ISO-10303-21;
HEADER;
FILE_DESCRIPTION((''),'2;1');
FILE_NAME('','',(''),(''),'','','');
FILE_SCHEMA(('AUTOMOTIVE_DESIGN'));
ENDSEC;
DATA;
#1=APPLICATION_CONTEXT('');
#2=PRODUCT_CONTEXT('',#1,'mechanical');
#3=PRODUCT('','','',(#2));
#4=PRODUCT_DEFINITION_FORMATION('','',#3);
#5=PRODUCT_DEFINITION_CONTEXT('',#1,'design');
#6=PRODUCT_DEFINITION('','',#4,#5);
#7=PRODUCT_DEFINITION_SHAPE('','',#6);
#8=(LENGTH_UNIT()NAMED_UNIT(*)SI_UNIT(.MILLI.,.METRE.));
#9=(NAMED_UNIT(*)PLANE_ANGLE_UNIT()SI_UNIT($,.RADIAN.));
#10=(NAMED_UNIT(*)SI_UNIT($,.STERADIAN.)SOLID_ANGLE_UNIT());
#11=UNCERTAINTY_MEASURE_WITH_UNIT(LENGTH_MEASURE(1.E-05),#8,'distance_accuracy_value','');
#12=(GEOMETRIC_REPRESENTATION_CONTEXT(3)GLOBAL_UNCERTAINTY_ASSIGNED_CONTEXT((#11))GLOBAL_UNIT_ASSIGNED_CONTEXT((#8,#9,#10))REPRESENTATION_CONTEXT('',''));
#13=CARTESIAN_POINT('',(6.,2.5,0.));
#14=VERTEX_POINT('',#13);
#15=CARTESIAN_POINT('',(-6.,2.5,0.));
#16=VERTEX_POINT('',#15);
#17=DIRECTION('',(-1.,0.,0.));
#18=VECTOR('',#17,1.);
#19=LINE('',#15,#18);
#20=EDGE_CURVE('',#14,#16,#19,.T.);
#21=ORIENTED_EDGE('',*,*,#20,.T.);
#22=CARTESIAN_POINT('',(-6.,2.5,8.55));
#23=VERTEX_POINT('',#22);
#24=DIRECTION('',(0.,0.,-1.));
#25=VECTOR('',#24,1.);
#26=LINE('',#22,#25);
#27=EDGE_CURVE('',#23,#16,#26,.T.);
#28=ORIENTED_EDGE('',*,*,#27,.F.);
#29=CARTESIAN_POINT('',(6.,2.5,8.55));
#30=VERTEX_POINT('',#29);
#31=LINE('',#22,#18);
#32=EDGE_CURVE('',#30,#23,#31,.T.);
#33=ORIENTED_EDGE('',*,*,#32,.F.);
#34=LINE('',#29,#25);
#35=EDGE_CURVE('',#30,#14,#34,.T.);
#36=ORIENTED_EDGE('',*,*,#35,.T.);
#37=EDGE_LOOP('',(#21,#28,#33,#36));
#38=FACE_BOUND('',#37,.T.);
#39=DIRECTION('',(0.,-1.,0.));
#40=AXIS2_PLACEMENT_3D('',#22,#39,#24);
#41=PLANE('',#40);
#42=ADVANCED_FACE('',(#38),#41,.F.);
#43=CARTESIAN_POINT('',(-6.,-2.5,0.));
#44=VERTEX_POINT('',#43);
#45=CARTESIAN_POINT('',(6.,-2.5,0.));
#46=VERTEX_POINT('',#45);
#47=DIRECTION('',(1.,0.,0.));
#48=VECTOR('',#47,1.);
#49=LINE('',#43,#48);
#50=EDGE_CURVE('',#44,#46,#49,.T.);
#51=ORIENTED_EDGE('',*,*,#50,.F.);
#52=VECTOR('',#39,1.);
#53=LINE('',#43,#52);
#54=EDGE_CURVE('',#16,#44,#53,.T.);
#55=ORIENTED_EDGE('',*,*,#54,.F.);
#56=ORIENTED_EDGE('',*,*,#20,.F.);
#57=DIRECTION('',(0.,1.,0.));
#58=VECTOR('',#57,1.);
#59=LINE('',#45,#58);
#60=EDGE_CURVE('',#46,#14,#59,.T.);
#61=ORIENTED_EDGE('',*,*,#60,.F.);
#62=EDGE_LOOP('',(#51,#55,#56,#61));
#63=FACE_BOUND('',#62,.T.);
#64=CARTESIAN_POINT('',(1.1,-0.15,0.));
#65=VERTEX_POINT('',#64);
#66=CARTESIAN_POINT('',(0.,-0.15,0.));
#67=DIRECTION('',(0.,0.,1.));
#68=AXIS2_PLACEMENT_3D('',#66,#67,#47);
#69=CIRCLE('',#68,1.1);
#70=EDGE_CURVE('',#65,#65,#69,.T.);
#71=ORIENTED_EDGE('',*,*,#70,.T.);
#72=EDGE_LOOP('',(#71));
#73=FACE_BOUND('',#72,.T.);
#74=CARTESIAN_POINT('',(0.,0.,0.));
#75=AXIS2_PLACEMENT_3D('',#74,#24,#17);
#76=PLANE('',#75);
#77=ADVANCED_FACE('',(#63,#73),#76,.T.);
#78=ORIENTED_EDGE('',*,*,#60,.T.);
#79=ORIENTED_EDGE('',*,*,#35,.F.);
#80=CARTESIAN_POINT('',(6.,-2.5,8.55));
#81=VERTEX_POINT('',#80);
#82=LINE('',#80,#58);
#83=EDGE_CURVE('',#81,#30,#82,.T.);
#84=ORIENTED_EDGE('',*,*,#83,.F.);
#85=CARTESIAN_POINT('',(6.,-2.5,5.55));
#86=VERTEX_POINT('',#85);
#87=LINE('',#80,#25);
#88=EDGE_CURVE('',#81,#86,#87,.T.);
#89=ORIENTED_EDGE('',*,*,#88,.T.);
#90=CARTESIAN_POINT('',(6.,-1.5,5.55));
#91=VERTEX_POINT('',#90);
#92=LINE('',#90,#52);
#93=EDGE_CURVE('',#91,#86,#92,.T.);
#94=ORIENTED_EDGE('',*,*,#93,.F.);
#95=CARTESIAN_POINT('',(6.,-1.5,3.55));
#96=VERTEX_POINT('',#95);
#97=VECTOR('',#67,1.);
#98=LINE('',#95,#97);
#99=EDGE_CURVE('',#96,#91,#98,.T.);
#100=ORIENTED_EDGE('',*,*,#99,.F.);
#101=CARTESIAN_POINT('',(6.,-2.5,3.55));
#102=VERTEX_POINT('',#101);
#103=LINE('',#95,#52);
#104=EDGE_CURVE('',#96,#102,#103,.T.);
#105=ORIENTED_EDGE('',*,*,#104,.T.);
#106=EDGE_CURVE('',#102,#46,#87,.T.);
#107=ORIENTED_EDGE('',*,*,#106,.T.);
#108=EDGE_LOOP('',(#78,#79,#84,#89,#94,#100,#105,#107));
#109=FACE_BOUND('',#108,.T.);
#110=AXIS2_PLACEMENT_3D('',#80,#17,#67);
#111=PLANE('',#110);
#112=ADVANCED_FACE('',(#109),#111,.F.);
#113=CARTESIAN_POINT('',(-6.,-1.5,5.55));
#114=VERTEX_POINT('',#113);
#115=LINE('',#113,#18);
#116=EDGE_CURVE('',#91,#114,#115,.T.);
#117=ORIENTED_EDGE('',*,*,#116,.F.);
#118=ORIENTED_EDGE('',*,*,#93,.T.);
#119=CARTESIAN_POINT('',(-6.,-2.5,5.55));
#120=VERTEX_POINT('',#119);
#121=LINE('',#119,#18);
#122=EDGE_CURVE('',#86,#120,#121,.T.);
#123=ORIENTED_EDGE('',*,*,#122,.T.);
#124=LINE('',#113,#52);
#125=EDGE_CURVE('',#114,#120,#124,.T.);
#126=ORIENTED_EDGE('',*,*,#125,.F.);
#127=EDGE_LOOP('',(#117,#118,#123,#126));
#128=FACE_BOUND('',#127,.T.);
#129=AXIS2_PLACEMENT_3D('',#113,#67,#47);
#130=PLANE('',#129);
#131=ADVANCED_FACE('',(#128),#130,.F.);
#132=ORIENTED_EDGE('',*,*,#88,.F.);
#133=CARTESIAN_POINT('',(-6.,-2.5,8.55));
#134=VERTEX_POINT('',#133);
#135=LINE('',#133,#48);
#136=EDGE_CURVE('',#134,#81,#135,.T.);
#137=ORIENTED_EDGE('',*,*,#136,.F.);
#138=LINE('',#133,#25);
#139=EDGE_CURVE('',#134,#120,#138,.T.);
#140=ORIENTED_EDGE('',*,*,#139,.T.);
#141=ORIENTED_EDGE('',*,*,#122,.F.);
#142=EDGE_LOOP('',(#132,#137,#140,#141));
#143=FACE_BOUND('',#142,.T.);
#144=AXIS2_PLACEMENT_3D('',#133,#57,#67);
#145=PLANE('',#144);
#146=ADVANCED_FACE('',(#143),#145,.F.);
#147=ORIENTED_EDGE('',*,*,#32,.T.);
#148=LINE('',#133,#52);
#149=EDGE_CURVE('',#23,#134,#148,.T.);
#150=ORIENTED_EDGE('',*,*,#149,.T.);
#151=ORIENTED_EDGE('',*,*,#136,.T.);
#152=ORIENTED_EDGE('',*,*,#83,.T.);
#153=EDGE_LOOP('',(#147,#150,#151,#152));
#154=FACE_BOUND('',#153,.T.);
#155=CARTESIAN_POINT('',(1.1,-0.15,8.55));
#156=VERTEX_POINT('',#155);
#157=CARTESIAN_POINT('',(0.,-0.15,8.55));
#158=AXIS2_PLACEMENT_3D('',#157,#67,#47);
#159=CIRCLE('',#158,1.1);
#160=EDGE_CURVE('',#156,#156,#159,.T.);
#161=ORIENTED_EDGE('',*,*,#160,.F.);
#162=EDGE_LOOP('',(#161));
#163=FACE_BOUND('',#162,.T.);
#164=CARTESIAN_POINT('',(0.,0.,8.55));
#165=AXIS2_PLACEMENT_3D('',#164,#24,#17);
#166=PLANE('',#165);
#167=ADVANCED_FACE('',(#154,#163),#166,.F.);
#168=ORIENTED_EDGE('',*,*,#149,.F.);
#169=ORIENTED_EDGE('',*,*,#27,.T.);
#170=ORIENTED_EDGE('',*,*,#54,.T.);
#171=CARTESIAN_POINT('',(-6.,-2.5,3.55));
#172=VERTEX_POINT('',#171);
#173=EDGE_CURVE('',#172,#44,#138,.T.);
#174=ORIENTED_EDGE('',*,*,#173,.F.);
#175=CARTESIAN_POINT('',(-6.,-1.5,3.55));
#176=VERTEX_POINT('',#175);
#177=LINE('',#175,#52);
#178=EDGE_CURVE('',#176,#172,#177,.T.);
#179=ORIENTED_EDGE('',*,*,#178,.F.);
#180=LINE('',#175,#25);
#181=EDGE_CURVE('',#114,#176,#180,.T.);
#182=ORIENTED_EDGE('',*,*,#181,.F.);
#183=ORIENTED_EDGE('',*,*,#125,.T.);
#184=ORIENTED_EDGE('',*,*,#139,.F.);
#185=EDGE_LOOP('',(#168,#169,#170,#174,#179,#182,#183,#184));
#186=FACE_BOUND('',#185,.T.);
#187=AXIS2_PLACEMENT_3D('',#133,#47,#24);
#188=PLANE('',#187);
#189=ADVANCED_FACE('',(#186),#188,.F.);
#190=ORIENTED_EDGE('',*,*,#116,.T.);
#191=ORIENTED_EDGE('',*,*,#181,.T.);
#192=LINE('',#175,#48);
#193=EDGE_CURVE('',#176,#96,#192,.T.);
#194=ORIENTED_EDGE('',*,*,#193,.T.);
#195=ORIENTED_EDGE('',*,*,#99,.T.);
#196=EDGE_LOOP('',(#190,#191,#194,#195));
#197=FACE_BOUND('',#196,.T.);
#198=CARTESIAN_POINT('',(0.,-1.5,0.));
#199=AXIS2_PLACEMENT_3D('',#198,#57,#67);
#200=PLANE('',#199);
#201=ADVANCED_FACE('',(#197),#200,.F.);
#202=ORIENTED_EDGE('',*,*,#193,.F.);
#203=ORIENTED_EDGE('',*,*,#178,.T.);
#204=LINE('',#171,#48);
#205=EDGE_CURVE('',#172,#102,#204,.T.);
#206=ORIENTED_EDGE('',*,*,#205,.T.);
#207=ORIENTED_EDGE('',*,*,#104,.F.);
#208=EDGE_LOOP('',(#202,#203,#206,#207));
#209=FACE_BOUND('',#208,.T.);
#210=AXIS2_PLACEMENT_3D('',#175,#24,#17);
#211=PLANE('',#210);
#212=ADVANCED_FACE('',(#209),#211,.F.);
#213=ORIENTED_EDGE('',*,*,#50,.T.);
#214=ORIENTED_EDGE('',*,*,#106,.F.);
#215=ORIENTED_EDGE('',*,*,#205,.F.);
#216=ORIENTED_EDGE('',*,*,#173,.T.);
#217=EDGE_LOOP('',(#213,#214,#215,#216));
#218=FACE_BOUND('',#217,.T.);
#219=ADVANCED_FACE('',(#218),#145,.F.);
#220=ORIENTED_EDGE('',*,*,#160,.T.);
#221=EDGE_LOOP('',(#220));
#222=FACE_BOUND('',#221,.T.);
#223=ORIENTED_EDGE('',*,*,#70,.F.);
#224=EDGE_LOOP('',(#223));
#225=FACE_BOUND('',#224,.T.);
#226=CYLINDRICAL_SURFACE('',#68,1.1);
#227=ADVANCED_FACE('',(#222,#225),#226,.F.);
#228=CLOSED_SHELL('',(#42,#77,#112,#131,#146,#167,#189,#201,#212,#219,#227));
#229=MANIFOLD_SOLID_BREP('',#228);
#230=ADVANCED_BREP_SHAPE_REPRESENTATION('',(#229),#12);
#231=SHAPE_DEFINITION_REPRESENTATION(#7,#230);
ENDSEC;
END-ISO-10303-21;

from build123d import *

# Parameters (mm, degrees)
SZKIC1_W                    = 12
SZKIC1_H                    = 5
DODANIE_WYCI_GNI_CIE1_DEPTH = 8.55
SZKIC2_R                    = 1.1
WYTNIJ_WYCI_GNI_CIE1_DEPTH  = 9.55
SZKIC3_W                    = 12
SZKIC3_H                    = 2
WYTNIJ_WYCI_GNI_CIE2_DEPTH  = 1


with BuildPart() as part:
    # Szkic1 → Dodanie-wyciągnięcie1 (new body)
    with BuildSketch(Plane.XY):
        Rectangle(SZKIC1_W, SZKIC1_H)
    extrude(amount=DODANIE_WYCI_GNI_CIE1_DEPTH)

    # Szkic2 → Wytnij-wyciągnięcie1 (cut, through all)
    with BuildSketch(Plane.XY.offset(8.55)):
        with Locations((0, -0.15)):
            Circle(SZKIC2_R)
    extrude(amount=-WYTNIJ_WYCI_GNI_CIE1_DEPTH, mode=Mode.SUBTRACT)

    # Szkic3 → Wytnij-wyciągnięcie2 (cut)
    with BuildSketch(Plane(origin=(0, -2.5, 0), x_dir=(-1, 0, 0), z_dir=(0, -1, 0))):
        with Locations((0, -4.55)):
            Rectangle(SZKIC3_W, SZKIC3_H)
    extrude(amount=-WYTNIJ_WYCI_GNI_CIE2_DEPTH, mode=Mode.SUBTRACT)


solid = part.part
